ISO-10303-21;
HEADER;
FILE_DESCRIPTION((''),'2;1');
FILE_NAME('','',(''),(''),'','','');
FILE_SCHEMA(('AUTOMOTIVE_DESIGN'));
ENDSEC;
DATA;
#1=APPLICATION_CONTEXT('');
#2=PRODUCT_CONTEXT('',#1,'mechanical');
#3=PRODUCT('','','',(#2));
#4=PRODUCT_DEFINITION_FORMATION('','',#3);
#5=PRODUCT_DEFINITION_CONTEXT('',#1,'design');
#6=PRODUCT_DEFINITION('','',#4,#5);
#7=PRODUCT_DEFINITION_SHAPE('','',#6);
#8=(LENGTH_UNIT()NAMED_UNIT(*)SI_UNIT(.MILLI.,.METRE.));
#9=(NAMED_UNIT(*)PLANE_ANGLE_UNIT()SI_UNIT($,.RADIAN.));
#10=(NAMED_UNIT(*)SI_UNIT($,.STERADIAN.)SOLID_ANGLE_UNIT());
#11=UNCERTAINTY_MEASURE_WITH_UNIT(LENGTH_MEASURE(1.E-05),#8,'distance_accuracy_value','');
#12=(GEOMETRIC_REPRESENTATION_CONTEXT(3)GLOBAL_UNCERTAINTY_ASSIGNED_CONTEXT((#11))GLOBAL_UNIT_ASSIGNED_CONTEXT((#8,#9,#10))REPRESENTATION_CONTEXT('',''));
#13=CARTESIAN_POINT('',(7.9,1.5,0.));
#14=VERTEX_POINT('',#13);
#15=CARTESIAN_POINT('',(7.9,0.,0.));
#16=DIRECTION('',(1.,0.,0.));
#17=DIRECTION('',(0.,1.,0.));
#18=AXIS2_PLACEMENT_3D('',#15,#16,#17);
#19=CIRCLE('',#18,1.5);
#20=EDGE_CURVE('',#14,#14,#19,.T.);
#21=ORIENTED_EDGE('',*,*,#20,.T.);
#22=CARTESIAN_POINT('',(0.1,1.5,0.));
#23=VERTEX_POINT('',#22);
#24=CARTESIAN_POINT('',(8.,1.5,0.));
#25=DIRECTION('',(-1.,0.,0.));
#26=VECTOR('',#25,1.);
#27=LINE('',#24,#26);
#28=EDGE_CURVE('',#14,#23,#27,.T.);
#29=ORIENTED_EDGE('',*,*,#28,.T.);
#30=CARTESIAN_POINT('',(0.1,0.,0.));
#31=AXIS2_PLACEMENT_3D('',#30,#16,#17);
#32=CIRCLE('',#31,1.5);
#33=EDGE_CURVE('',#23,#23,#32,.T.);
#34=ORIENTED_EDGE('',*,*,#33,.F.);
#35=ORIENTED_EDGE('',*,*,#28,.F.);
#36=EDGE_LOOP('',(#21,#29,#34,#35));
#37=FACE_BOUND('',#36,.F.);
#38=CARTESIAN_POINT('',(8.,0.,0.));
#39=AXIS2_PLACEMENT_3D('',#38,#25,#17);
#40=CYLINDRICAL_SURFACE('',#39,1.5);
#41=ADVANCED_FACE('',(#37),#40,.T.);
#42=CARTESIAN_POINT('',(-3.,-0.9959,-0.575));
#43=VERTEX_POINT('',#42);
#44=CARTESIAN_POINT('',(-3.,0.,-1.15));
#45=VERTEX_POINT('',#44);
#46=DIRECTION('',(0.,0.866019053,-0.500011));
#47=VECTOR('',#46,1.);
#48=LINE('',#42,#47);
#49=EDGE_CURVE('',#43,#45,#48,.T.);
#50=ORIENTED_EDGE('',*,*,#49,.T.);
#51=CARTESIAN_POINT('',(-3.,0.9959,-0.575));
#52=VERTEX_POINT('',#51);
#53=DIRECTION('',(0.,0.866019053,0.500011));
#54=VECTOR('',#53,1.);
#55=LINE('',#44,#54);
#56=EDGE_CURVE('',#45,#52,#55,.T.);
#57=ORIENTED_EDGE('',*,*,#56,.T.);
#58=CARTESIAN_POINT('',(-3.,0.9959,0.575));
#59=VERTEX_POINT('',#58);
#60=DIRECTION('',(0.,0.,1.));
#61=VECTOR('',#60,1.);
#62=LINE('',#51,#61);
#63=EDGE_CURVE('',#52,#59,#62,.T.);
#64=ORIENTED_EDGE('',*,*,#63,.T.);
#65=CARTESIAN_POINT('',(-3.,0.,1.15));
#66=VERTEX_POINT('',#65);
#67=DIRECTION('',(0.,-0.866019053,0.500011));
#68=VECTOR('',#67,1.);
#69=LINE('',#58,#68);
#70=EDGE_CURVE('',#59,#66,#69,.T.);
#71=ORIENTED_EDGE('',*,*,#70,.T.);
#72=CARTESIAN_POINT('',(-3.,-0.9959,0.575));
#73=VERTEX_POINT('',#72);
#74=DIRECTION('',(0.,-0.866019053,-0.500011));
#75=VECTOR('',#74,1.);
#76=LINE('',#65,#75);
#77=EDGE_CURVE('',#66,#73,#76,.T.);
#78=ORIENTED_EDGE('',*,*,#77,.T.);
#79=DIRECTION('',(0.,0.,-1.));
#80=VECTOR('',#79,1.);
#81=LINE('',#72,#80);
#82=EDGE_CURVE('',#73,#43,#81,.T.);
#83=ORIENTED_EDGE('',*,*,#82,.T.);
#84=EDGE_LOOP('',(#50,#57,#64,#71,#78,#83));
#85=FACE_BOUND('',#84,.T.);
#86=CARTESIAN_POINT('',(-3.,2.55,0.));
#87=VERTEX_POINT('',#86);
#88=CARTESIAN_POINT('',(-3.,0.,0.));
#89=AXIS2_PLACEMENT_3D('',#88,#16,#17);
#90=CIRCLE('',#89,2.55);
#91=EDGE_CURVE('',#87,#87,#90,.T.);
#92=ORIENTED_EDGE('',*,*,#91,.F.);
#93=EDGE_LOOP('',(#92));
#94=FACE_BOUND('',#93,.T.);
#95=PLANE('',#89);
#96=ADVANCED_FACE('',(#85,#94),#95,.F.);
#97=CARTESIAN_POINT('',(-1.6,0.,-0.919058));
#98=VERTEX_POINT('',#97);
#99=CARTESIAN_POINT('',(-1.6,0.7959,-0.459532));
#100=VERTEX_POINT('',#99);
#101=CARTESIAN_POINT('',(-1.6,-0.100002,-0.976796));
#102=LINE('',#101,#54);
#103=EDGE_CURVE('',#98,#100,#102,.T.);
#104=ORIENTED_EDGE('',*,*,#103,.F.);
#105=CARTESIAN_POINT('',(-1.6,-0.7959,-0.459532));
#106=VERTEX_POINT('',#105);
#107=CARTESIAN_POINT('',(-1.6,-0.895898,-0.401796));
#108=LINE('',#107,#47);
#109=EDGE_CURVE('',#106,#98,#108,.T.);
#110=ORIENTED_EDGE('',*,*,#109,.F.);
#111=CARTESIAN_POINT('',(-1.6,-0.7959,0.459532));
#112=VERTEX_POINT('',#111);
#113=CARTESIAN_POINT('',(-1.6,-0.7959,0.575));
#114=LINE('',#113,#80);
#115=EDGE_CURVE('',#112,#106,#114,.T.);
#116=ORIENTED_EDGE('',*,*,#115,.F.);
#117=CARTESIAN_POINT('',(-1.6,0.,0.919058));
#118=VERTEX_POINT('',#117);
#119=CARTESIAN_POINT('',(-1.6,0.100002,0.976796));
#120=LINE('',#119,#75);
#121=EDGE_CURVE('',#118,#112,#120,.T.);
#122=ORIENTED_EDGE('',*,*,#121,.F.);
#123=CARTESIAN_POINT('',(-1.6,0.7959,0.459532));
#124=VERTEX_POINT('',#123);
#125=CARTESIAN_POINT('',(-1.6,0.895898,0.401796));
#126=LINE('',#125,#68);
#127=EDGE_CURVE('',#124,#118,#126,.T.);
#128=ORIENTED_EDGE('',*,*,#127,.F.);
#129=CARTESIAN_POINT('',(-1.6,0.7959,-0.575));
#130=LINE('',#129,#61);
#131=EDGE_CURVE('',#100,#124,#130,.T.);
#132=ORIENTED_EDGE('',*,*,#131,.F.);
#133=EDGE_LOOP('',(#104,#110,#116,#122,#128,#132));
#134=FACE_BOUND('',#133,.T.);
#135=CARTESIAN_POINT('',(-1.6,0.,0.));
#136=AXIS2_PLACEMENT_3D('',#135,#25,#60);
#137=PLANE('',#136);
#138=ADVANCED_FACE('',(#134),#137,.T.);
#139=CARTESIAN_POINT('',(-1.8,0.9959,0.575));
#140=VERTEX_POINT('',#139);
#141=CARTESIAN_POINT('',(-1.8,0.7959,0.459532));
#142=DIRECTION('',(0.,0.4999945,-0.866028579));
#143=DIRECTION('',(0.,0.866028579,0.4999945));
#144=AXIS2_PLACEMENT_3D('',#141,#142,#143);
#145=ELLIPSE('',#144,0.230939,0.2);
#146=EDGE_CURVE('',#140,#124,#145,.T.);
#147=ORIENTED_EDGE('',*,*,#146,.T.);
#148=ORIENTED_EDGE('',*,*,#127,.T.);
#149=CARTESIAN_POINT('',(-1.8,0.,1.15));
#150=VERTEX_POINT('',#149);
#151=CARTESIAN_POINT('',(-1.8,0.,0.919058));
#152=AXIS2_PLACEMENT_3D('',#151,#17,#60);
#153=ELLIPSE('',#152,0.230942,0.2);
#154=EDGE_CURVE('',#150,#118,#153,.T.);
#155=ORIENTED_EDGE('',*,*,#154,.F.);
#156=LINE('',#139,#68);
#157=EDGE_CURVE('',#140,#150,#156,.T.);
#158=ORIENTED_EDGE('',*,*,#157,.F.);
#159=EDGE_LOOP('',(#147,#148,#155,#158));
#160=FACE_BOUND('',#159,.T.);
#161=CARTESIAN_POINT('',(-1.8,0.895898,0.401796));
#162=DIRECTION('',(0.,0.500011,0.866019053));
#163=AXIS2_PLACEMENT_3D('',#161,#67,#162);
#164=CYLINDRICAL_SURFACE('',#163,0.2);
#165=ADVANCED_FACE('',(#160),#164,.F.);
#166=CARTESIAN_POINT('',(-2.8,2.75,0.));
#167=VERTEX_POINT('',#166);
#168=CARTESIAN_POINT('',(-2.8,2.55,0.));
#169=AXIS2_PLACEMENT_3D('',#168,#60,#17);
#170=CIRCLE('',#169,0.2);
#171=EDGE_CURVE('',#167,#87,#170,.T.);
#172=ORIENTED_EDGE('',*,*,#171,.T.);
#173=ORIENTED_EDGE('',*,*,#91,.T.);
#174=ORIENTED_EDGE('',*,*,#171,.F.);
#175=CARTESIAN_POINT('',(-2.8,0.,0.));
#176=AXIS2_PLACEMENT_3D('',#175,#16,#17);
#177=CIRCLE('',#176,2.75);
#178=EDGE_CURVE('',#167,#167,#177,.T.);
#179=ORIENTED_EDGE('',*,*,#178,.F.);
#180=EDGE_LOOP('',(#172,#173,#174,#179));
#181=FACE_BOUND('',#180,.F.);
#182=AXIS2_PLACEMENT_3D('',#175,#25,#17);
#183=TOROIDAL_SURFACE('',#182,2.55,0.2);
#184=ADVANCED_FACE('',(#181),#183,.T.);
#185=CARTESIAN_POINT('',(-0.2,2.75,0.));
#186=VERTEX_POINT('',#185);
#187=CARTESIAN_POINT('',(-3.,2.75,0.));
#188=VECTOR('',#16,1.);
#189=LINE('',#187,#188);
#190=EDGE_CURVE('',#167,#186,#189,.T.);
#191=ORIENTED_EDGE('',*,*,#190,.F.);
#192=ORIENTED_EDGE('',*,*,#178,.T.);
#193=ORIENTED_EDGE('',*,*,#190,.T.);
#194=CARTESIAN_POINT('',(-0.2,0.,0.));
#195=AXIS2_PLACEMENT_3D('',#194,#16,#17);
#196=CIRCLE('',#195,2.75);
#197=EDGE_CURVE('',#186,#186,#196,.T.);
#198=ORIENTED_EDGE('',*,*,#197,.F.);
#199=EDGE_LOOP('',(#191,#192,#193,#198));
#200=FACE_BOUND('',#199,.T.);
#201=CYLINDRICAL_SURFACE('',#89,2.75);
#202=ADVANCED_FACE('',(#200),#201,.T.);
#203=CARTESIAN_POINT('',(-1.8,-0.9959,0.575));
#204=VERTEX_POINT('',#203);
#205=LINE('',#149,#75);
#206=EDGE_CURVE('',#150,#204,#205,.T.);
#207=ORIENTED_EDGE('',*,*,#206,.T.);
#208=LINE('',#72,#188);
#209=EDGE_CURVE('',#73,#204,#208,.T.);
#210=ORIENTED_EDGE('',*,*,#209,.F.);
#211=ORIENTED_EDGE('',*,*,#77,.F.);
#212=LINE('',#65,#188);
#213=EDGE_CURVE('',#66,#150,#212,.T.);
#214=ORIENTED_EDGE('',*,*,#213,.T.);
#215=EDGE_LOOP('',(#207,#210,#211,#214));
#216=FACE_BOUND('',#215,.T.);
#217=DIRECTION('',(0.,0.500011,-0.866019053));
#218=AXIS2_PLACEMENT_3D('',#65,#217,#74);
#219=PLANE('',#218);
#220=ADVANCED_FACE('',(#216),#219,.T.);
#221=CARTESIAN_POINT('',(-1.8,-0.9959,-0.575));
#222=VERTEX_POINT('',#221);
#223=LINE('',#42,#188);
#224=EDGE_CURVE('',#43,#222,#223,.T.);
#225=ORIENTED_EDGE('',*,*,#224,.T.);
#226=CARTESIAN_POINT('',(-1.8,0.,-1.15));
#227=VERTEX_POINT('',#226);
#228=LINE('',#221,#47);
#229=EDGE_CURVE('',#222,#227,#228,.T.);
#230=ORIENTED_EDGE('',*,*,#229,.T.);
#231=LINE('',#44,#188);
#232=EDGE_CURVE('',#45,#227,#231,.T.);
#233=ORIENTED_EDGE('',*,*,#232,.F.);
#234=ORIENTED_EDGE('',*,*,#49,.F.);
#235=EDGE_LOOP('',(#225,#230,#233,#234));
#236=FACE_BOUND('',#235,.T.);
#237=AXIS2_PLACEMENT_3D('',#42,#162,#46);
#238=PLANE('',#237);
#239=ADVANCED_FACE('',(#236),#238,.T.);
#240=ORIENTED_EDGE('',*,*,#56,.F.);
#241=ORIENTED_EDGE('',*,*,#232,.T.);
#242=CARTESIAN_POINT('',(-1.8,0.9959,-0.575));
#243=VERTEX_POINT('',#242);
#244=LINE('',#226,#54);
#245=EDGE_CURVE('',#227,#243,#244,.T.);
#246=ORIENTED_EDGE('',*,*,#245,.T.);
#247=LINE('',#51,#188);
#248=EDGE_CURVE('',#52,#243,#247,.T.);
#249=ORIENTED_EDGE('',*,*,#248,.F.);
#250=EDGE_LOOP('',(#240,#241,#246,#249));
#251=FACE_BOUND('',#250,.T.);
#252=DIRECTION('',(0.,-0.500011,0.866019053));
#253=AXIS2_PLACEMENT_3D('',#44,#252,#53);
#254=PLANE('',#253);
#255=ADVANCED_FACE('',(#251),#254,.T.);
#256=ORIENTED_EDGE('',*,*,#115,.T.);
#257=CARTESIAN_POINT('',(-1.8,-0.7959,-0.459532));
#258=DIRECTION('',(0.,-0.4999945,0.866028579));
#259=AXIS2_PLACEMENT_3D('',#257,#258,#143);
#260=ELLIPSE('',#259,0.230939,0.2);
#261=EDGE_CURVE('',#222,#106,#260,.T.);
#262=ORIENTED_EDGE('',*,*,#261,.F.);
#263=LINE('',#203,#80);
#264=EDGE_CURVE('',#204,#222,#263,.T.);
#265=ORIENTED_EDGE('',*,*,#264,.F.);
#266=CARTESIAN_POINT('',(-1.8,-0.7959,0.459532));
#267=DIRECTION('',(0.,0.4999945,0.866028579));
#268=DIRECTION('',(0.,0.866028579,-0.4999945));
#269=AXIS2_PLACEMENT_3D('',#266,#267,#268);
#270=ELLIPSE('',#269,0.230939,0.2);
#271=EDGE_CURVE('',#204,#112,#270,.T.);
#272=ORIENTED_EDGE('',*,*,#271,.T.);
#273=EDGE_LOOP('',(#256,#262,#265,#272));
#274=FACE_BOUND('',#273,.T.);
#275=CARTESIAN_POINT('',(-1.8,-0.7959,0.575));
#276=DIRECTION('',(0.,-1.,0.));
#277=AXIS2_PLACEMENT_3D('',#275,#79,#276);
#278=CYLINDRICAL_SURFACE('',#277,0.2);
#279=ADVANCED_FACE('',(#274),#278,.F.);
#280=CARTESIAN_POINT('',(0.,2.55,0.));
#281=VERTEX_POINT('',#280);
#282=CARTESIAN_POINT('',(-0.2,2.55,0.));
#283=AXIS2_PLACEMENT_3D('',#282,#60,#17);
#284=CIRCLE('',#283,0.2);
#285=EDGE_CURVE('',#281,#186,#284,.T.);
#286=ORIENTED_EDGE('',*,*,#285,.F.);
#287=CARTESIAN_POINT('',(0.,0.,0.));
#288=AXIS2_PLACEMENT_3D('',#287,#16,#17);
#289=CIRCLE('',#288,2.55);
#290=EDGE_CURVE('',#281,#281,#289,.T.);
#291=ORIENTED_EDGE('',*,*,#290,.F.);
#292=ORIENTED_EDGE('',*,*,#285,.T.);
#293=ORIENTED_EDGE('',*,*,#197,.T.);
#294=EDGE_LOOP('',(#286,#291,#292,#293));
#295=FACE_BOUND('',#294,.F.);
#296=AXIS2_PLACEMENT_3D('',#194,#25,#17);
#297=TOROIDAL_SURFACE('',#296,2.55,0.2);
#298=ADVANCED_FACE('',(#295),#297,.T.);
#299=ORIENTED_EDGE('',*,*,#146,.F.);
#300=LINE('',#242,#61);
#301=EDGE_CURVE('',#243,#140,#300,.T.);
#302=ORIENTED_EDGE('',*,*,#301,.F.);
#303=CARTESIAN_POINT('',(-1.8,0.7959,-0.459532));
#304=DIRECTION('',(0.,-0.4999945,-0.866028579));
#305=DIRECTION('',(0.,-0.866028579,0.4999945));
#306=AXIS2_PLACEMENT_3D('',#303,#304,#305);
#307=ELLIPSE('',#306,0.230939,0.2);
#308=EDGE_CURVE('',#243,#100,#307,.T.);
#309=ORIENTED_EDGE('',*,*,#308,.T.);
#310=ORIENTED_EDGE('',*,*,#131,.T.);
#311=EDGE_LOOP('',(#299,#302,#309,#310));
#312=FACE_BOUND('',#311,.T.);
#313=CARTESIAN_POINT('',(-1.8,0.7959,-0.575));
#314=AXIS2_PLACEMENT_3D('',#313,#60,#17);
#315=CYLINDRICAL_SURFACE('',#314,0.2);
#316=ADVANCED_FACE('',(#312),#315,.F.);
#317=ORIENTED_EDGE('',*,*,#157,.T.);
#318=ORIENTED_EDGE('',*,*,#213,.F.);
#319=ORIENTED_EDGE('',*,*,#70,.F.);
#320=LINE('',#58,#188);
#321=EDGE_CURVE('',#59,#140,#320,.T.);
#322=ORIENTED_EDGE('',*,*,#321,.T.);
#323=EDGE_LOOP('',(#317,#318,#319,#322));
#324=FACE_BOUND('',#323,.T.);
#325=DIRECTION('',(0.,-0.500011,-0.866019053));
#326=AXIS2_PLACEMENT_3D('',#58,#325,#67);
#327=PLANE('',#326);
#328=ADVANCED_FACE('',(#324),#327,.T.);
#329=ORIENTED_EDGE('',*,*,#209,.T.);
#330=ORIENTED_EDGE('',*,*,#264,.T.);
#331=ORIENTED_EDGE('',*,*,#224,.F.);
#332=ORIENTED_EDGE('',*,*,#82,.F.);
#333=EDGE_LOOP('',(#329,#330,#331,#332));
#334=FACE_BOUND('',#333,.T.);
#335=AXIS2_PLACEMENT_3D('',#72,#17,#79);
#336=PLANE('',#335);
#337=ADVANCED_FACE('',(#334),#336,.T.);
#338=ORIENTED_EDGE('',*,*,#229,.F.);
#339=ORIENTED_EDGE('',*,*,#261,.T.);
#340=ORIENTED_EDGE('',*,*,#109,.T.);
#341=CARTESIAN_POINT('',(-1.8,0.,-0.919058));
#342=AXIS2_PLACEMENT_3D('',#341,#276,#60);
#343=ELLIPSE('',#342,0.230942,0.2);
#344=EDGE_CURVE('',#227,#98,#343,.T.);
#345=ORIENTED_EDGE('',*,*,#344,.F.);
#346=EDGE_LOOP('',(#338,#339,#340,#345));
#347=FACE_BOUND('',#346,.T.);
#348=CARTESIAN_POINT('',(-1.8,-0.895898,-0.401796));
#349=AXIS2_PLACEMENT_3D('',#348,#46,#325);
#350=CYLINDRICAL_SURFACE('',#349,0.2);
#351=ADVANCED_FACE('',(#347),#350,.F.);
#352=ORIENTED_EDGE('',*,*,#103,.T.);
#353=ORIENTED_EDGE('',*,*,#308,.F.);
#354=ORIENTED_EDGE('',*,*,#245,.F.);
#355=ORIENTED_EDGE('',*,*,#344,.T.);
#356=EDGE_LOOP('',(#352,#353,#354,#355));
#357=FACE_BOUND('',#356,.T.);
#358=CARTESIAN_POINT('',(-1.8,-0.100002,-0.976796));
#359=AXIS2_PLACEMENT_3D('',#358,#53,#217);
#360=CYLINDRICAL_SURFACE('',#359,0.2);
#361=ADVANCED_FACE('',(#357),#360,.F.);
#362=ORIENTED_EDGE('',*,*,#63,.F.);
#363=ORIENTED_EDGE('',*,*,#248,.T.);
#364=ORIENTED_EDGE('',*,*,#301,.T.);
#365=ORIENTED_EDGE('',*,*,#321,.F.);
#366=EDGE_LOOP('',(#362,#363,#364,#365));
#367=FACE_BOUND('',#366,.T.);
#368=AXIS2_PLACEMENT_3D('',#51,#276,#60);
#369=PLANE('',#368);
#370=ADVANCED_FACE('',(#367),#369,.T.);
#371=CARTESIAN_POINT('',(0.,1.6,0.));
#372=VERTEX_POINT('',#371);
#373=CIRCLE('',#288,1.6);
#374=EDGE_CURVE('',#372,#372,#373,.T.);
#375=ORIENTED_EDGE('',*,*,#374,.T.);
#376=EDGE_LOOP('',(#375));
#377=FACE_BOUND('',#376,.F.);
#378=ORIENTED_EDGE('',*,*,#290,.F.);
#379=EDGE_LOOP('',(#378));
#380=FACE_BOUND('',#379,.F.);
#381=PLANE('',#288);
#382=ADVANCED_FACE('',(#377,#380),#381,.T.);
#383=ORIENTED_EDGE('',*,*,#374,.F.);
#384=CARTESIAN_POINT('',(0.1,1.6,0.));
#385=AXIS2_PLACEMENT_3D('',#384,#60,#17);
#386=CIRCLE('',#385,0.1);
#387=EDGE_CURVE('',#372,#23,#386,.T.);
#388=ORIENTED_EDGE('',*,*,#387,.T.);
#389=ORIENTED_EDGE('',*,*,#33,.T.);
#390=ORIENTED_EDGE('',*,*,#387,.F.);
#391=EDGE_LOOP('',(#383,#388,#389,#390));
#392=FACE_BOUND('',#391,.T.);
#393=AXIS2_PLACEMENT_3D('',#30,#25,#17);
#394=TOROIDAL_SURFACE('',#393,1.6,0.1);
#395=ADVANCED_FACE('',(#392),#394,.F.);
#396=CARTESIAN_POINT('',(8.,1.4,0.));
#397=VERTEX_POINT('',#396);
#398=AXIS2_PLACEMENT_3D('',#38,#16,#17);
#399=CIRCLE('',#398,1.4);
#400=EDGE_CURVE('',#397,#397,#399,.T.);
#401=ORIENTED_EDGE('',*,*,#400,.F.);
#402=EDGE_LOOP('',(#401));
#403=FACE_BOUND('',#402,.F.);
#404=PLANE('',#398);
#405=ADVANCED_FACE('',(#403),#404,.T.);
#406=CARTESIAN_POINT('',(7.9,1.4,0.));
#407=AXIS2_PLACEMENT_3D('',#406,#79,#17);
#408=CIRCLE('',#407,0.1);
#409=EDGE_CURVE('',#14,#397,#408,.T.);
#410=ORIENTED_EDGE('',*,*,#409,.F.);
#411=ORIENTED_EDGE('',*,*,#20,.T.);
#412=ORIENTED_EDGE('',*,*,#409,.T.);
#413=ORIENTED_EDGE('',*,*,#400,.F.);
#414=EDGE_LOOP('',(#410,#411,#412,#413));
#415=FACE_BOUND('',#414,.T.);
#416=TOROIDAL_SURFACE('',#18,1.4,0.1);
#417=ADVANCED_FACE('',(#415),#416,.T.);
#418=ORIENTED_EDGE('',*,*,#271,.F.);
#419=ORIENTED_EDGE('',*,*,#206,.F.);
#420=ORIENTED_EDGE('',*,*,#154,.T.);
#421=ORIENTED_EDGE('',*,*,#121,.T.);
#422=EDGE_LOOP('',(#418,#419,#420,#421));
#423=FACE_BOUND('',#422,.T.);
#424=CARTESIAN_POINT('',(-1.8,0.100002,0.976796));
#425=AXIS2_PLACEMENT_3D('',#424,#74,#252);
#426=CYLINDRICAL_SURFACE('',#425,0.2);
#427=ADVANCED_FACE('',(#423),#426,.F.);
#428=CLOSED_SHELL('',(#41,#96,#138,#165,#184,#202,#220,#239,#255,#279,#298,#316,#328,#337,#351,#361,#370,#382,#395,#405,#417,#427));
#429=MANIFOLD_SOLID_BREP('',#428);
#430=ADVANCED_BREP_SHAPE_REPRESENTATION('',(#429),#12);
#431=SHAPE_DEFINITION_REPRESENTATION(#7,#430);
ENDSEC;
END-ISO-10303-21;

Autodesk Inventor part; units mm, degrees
ref_plane "YZ Plane" through (0, 0, 0) normal (1, 0, 0) x (0, 1, 0)
ref_plane "XZ Plane" through (0, 0, 0) normal (0, 1, 0) x (-1, 0, 0)
ref_plane "XY Plane" through (0, 0, 0) normal (0, 0, 1) x (1, 0, 0)
sketch "スケッチ1" plane through (0, 0, 0) normal (0, 0, 1) x (1, 0, 0)
  line L0 (0, 0) -> (8, 0)
  line L1 (8, 0) -> (8, 1.5)
  line L2 (8, 1.5) -> (0, 1.5)
  line L3 (0, 1.5) -> (0, 0)
  line L4 (0, 0) -> (0, 2.75)
  line L5 (0, 0) -> (-3, 0)
  line L6 (-3, 0) -> (0, 0)
  line L7 (-3, 0) -> (-3, 1.15)
  line L8 (0, 0) -> (-3, 0)
  line L9 (-3, 0) -> (-3, 2.75)
  line L10 (-3, 2.75) -> (0, 2.75)
  line L11 (0, 2.75) -> (0, 0)
  dimension "d0" = 1.5
  dimension "d1" = 8
  dimension "d3" = 3
  dimension "d4" = 2.75
  dimension "d5" = 1.15
revolve "回転1" add sketch "スケッチ1" angle 360 about axis through (-3, 0, 0) along (1, 0, 0)
thread "ねじ1" size "M3x0.5" class "6g" standard "ANSI Metric M Profile" length 100
sketch "スケッチ2" plane through (-3, 0, 0) normal (-1, 0, 0) x (0, 0, 1)
  circle A0 centre (0, 0) radius 1.15 projected
  line L0 (-0.575, 0.9959) -> (0.575, 0.9959)
  line L1 (0.575, 0.9959) -> (1.15, 0)
  line L2 (1.15, 0) -> (0.575, -0.9959)
  line L3 (0.575, -0.9959) -> (-0.575, -0.9959)
  line L4 (-0.575, -0.9959) -> (-1.15, 0)
  line L5 (-1.15, 0) -> (-0.575, 0.9959)
  dimension "d10" = 1.15
  dimension "d11" = 1.9919
extrude "押し出し1" cut sketch "スケッチ2" against normal blind 1.4 contours L2 L3 L4 L5 L0 L1
fillet "フィレット1" radius 0.2 8 edges at (-1.6, 0.9959, 0) (-1.6, 0.498, 0.8625) (-1.6, 0.498, -0.8625) (-1.6, -0.498, -0.8625) (-1.6, -0.9959, 0) (-1.6, -0.498, 0.8625) (-3, -2.75, 0) (0, -2.75, 0)
fillet "フィレット2" radius 0.1 1 edges at (0, -1.5, 0)
fillet "フィレット3" radius 0.1 1 edges at (8, -1.5, 0)
properties part number "ネジアルミM3L8" material "アルミニウム 7075"
